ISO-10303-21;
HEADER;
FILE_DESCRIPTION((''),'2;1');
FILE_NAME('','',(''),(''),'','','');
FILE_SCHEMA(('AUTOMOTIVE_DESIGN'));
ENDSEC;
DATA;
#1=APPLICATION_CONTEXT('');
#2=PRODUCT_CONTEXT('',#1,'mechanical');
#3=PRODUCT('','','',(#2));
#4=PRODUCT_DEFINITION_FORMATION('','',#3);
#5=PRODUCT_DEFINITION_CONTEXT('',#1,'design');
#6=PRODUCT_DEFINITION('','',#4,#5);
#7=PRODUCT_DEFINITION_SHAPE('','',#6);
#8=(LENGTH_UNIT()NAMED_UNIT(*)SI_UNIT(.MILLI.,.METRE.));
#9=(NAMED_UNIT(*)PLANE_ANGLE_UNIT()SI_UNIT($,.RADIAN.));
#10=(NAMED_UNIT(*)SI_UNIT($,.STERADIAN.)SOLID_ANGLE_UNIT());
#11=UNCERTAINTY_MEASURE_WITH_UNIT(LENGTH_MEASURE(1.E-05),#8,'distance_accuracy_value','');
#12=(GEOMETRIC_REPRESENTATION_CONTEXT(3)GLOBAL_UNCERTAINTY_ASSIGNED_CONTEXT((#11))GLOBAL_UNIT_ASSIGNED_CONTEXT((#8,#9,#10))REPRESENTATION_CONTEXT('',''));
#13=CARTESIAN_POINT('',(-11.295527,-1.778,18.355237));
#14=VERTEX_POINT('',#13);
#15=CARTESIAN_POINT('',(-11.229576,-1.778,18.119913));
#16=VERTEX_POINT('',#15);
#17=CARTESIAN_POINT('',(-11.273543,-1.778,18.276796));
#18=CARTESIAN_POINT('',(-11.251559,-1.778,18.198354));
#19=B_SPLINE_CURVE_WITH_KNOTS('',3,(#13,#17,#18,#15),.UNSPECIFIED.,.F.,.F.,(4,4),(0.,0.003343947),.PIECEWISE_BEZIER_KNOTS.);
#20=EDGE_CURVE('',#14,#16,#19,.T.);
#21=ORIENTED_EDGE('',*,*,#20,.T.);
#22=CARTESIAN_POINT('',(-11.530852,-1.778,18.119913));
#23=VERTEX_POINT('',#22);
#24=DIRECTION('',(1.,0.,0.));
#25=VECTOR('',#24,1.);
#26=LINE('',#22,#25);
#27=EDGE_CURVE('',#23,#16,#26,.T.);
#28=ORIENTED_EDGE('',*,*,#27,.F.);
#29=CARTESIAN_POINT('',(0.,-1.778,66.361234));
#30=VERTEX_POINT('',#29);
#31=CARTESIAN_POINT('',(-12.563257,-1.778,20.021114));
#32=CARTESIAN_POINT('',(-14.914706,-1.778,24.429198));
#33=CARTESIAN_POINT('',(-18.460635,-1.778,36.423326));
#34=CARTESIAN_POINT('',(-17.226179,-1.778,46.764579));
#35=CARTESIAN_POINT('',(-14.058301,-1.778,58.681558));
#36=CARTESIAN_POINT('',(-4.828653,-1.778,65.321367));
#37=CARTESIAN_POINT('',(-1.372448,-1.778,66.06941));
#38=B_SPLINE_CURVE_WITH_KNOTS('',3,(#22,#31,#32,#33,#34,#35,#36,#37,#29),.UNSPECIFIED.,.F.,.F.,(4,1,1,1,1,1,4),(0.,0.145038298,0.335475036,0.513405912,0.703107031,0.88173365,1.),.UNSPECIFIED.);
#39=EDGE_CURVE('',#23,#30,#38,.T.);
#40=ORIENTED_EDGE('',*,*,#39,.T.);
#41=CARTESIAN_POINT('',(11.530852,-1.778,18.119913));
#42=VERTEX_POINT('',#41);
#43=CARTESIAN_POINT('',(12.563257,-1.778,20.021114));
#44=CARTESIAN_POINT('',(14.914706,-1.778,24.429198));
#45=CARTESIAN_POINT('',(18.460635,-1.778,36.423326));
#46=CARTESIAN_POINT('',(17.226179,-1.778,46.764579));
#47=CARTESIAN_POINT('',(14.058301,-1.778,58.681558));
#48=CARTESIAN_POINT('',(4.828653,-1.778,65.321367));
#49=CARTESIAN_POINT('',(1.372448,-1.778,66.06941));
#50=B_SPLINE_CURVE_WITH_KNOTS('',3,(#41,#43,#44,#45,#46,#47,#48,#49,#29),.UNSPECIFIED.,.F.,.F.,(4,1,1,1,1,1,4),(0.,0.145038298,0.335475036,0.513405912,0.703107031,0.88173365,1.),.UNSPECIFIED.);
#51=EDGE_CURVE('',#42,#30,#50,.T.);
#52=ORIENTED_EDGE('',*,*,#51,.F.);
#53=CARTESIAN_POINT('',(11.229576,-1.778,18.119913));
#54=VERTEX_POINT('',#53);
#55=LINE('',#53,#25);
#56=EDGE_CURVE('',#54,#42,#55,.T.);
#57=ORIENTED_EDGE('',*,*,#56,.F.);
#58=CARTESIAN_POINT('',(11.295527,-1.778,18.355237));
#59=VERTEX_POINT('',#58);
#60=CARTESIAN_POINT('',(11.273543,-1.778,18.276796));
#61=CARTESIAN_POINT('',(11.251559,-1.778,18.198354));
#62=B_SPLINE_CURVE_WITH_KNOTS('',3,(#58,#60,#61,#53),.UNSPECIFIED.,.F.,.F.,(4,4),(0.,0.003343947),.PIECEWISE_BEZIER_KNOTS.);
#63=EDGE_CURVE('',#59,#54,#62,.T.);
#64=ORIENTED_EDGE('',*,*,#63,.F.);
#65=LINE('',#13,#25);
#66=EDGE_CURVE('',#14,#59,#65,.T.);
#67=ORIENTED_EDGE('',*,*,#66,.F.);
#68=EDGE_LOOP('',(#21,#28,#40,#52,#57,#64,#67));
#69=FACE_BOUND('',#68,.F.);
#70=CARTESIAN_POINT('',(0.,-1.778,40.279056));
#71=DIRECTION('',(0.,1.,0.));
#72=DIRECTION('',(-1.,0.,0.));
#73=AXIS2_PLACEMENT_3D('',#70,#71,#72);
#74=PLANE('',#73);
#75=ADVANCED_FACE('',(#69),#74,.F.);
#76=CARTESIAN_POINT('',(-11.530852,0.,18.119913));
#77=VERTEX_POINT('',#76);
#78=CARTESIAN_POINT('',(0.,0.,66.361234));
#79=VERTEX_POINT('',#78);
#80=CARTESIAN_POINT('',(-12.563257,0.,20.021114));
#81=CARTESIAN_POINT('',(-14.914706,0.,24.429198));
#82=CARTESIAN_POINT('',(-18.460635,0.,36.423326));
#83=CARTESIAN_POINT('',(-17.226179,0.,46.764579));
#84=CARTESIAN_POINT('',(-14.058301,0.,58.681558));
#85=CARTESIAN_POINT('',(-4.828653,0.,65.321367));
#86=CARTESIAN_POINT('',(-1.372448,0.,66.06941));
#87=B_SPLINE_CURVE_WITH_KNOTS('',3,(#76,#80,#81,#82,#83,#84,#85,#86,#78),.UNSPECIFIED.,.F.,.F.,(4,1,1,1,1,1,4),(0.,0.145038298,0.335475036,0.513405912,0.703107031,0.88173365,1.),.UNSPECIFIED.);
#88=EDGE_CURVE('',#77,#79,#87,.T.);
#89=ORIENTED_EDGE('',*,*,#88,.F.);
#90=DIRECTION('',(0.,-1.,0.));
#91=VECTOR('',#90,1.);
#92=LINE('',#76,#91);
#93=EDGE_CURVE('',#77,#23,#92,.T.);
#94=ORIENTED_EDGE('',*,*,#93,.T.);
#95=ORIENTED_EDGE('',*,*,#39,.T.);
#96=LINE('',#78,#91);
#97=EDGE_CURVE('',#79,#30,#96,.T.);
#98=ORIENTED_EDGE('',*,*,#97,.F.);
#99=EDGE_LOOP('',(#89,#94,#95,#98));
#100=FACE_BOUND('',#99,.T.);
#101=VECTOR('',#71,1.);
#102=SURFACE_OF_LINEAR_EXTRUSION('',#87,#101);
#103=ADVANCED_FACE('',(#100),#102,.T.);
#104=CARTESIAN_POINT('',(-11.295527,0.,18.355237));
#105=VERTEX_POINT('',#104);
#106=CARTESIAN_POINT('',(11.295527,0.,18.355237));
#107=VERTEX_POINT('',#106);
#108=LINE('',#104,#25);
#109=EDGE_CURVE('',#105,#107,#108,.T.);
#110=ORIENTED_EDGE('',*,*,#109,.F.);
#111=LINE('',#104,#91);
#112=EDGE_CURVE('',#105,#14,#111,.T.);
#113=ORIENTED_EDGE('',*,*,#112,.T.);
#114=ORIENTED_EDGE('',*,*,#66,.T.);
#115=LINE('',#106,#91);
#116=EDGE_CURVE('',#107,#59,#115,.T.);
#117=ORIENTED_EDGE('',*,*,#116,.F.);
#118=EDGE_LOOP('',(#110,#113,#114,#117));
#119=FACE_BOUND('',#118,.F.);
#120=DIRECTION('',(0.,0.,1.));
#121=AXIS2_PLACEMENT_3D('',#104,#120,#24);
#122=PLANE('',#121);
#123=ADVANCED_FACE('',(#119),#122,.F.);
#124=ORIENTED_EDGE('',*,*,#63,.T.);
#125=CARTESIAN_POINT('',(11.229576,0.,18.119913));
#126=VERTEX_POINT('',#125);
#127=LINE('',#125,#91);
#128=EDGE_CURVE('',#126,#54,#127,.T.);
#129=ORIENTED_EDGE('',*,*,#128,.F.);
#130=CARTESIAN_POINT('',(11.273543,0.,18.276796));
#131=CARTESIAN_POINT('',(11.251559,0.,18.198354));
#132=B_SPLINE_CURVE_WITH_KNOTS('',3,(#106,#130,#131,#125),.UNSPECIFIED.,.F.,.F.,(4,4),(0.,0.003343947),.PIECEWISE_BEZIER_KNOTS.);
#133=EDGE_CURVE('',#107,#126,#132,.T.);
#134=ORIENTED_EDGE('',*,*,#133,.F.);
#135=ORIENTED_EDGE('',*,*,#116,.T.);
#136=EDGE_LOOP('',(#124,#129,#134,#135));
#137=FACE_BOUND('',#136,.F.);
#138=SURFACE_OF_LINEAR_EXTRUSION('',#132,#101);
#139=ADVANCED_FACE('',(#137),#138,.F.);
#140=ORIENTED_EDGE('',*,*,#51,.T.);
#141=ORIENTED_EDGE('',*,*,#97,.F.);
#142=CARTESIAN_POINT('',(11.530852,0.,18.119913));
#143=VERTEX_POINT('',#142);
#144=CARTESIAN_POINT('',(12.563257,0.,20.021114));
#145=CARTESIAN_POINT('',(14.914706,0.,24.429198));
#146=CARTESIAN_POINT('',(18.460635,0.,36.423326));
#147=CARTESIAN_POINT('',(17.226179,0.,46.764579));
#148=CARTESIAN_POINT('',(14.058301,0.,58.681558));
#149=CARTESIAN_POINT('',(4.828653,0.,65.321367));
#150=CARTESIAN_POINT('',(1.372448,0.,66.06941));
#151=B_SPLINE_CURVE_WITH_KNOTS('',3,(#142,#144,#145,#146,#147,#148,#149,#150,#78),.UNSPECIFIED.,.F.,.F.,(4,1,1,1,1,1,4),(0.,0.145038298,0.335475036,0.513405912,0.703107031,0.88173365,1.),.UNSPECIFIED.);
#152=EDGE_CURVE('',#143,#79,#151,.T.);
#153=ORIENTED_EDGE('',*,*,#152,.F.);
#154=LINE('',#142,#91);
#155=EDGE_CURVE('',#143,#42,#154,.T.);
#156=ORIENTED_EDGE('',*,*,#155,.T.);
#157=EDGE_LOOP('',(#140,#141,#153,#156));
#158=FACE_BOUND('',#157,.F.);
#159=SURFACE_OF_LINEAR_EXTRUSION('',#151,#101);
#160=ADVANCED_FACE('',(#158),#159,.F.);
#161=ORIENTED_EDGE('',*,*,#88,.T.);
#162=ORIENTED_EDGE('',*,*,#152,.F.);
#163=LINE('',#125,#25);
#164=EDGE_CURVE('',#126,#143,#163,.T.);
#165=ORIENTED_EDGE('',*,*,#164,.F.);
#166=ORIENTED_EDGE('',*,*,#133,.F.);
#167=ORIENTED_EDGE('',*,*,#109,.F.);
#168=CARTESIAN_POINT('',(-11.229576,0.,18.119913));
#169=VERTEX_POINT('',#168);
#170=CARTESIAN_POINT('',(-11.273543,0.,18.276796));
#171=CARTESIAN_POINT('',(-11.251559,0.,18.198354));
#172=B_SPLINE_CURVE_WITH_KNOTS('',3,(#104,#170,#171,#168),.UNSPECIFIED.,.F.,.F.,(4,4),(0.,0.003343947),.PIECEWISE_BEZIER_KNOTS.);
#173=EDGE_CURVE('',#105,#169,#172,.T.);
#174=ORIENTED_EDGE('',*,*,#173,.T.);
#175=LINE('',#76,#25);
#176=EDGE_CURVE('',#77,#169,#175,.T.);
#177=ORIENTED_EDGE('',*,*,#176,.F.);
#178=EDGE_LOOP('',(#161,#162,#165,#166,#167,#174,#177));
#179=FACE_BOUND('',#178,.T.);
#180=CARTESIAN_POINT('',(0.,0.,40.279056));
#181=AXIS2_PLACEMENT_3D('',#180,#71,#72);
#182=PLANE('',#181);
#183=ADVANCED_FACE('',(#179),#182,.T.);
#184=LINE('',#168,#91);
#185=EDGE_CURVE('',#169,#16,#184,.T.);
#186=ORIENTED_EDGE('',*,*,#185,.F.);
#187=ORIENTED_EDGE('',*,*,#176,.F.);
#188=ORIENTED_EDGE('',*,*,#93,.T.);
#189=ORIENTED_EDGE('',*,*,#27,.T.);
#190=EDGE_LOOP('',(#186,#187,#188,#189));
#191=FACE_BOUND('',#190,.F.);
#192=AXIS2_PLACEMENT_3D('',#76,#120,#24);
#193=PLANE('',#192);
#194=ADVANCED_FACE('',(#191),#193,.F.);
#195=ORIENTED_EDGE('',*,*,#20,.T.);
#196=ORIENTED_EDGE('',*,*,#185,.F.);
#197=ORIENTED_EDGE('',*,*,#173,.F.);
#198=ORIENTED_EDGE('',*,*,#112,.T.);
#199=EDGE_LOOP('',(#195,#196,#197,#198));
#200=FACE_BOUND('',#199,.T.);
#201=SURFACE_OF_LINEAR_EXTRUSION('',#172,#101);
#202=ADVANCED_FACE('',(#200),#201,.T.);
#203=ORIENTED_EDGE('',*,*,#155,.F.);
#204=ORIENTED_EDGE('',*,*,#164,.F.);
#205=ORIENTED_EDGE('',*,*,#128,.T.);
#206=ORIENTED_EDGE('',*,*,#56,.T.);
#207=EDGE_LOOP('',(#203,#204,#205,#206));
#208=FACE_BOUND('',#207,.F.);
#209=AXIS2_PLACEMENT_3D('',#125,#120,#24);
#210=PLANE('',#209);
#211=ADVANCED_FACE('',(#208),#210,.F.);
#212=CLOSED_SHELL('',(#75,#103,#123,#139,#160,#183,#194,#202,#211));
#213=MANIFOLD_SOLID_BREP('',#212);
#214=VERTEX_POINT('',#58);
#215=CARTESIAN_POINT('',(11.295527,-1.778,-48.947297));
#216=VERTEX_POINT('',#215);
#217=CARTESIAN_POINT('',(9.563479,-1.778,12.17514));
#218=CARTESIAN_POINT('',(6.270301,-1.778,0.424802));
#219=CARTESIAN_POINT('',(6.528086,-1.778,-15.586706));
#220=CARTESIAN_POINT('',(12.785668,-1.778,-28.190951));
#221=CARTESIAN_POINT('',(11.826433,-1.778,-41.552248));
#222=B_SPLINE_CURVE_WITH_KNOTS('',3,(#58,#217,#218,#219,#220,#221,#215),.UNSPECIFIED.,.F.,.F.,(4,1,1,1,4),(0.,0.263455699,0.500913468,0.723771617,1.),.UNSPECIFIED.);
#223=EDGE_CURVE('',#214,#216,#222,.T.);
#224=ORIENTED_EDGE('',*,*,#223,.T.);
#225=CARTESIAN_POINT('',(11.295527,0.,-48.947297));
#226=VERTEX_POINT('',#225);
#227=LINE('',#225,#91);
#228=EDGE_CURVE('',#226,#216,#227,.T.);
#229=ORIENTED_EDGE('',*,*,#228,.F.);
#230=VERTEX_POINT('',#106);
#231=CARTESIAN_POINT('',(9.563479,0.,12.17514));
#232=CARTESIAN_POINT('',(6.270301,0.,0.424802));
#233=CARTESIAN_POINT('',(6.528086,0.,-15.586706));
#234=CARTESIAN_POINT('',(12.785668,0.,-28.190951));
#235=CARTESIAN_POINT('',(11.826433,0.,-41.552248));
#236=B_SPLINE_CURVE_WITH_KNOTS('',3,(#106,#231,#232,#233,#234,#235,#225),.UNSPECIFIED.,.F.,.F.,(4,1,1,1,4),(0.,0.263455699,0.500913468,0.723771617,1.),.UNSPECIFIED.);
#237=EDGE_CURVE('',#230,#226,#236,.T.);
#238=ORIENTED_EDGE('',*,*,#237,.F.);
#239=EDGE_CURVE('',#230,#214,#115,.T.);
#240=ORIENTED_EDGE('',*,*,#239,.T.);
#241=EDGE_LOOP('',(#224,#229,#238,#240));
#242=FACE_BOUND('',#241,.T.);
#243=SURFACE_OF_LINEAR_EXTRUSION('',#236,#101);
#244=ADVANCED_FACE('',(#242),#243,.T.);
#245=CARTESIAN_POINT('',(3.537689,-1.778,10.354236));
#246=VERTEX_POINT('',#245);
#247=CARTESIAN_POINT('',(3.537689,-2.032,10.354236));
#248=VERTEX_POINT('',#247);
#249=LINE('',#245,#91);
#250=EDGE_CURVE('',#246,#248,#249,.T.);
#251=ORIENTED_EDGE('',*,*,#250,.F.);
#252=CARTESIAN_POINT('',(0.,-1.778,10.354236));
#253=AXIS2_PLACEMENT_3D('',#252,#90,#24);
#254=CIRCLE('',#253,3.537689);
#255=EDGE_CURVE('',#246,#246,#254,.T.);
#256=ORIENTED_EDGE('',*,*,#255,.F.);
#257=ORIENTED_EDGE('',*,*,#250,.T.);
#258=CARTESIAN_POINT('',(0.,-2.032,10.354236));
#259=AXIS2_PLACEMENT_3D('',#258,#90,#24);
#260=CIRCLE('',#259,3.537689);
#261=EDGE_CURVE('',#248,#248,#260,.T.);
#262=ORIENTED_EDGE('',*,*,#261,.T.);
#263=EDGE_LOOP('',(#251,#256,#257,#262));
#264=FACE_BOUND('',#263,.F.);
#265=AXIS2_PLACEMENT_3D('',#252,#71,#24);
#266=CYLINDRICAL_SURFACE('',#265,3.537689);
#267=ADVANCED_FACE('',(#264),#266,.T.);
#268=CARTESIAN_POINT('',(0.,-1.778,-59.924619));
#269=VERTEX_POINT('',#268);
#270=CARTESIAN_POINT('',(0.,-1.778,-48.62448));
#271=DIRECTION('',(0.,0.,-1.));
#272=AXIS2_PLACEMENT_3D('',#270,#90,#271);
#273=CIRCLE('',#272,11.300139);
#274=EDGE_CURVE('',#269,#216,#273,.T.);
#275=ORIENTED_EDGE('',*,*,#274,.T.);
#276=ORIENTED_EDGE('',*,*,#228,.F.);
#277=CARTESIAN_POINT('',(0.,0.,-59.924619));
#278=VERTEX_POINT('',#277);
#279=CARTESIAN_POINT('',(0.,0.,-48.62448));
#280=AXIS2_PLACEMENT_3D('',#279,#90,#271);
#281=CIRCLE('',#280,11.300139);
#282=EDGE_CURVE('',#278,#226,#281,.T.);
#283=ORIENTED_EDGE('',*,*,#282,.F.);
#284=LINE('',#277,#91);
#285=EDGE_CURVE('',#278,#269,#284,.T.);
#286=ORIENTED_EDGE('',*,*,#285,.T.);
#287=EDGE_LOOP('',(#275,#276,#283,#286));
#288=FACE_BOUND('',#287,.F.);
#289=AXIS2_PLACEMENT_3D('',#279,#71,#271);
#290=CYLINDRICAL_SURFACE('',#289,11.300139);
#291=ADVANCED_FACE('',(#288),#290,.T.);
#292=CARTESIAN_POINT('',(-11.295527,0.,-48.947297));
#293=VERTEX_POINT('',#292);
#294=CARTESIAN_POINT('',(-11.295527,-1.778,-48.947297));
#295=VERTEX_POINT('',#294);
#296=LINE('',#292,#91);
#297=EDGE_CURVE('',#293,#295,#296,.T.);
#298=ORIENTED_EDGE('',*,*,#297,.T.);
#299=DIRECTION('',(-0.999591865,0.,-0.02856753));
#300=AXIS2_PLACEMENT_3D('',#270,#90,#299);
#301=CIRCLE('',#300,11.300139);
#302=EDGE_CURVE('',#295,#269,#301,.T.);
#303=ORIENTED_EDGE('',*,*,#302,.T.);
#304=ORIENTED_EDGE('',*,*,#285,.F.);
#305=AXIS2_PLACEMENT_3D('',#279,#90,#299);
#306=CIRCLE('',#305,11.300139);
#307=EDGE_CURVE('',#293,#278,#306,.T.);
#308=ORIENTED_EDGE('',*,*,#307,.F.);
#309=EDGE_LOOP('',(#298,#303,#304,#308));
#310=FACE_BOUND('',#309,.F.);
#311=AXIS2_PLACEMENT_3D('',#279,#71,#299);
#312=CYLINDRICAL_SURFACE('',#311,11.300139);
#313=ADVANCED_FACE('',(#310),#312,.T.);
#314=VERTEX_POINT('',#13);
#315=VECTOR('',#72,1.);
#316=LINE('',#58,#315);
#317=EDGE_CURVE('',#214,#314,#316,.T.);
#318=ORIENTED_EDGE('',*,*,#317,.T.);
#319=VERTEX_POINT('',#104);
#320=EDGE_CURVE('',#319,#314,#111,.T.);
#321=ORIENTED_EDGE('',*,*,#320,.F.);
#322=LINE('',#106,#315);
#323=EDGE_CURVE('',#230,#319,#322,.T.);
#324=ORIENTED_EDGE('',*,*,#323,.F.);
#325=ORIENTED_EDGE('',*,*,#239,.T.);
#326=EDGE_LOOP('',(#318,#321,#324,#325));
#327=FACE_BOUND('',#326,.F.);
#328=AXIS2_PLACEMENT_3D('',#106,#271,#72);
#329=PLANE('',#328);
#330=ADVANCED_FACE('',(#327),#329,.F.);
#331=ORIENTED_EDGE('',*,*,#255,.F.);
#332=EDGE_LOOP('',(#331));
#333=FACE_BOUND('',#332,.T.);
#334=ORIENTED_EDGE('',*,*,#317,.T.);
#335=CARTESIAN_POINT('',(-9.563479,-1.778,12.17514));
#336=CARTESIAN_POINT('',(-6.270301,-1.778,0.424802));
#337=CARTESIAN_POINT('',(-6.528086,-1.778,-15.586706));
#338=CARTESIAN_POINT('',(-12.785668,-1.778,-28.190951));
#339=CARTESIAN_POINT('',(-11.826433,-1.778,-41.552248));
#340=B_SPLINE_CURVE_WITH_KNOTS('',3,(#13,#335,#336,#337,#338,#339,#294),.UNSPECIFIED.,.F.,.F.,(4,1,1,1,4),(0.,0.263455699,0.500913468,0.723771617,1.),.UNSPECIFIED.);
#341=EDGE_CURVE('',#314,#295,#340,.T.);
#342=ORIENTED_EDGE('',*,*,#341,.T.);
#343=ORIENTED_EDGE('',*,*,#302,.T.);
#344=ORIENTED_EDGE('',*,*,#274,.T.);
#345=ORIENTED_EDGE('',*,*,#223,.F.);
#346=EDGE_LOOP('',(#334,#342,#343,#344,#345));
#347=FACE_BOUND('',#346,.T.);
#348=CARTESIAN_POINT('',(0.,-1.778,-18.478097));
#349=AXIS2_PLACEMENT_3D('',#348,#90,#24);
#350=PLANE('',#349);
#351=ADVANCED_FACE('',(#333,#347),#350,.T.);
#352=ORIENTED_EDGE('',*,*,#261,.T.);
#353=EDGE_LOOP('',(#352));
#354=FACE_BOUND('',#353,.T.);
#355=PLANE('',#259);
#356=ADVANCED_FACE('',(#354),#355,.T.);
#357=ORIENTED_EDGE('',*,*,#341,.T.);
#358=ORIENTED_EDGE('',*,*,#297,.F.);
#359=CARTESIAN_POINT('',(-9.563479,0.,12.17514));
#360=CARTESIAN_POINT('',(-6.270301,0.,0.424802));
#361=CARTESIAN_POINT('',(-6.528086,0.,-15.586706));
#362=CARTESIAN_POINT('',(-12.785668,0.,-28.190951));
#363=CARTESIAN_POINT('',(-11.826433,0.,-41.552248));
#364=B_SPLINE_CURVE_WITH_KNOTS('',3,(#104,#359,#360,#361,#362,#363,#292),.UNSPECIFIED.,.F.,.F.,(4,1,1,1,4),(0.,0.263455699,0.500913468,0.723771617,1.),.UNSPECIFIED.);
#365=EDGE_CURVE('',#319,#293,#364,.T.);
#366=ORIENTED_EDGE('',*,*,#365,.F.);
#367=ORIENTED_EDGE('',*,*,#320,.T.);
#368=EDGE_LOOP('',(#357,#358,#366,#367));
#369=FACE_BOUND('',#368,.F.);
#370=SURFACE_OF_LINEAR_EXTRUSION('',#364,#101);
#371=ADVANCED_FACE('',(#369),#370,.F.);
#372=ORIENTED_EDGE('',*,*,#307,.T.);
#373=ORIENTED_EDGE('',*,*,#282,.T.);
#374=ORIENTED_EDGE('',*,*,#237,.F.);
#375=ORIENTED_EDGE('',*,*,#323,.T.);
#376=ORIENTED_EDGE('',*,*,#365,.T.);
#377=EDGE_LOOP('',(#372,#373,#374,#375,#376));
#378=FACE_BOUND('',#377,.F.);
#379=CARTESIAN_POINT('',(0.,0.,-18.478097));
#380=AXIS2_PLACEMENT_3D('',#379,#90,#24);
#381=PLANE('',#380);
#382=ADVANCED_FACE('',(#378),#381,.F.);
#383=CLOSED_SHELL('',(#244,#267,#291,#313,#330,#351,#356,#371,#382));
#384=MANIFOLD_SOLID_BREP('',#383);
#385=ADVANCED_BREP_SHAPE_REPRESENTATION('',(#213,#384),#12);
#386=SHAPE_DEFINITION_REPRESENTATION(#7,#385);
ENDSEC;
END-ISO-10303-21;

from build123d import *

# Parameters (mm, degrees)
F2_DEPTH = 1.778
F3_R     = 3.5376885561
F4_DEPTH = 0.254


with BuildPart() as f2:
    # F1 (on face) → F2 (new body)
    with BuildSketch(Plane.XZ):
        with BuildLine():
            add(Edge.make_bspline(
                [(-11.5308519453, 18.1199125946), (-12.5632574999, 20.0211138596), (-14.9147056221, 24.4291977931), (-18.4606353402, 36.4233259277), (-17.2261789221, 46.7645790924), (-14.0583007371, 58.6815578988), (-4.8286528791, 65.3213674178), (-1.3724477125, 66.0694099207), (0, 66.361233592)],
                knots=[0, 0, 0, 0, 0.1450382977, 0.3354750356, 0.5134059115, 0.7031070309, 0.8817336505, 1, 1, 1, 1], degree=3))
            Line((-11.5308519453, 18.1199125946), (-11.2295764155, 18.1199125946))
            add(Edge.make_bspline(
                [(-11.2955272198, 18.3552373201), (-11.2735429638, 18.2767956188), (-11.2515587078, 18.1983539175), (-11.2295764155, 18.1199125946)],
                knots=[0, 0, 0, 0, 0.0033439465, 0.0033439465, 0.0033439465, 0.0033439465], degree=3))
            Line((-11.2955272198, 18.3552373201), (0, 18.3552373201))
            Line((0, 18.3552373201), (11.2955272198, 18.3552373201))
            add(Edge.make_bspline(
                [(11.2955272198, 18.3552373201), (11.2735429638, 18.2767956188), (11.2515587078, 18.1983539175), (11.2295764155, 18.1199125946)],
                knots=[0, 0, 0, 0, 0.0033439465, 0.0033439465, 0.0033439465, 0.0033439465], degree=3))
            Line((11.2295764155, 18.1199125946), (11.5308519453, 18.1199125946))
            add(Edge.make_bspline(
                [(11.5308519453, 18.1199125946), (12.5632574999, 20.0211138596), (14.9147056221, 24.4291977931), (18.4606353402, 36.4233259277), (17.2261789221, 46.7645790924), (14.0583007371, 58.6815578988), (4.8286528791, 65.3213674178), (1.3724477125, 66.0694099207), (0, 66.361233592)],
                knots=[0, 0, 0, 0, 0.1450382977, 0.3354750356, 0.5134059115, 0.7031070309, 0.8817336505, 1, 1, 1, 1], degree=3))
        make_face()
    extrude(amount=F2_DEPTH)


with BuildPart() as f2b:
    # F0 (on Front) → F2, piece 2 (new body)
    with BuildSketch(Plane.XZ):
        with BuildLine():
            Line((11.2955272198, 18.3552373201), (0, 18.3552373201))
            Line((0, 18.3552373201), (-11.2955272198, 18.3552373201))
            add(Edge.make_bspline(
                [(-11.2955272198, 18.3552373201), (-9.5634787199, 12.1751404741), (-6.2703010662, 0.4248015931), (-6.5280857797, -15.5867064637), (-12.7856682908, -28.1909512846), (-11.8264331141, -41.5522479919), (-11.2955272198, -48.9472970366)],
                knots=[0, 0, 0, 0, 0.263455699, 0.500913468, 0.7237716172, 1, 1, 1, 1], degree=3))
            ThreePointArc((-11.2955272198, -48.9472970366), (-7.8754450124, -56.7282144149), (0, -59.9246191781))
            ThreePointArc((0, -59.9246191781), (7.8754450124, -56.7282144149), (11.2955272198, -48.9472970366))
            add(Edge.make_bspline(
                [(11.2955272198, 18.3552373201), (9.5634787199, 12.1751404741), (6.2703010662, 0.4248015931), (6.5280857797, -15.5867064637), (12.7856682908, -28.1909512846), (11.8264331141, -41.5522479919), (11.2955272198, -48.9472970366)],
                knots=[0, 0, 0, 0, 0.263455699, 0.500913468, 0.7237716172, 1, 1, 1, 1], degree=3))
        make_face()
    extrude(amount=F2_DEPTH)

    # F3 (on face) → F4 (join)
    with BuildSketch(Plane.XZ.offset(1.778)):
        with Locations((0, 10.3542357683)):
            Circle(F3_R)
    extrude(amount=F4_DEPTH)


solid = Compound([f2.part, f2b.part])
